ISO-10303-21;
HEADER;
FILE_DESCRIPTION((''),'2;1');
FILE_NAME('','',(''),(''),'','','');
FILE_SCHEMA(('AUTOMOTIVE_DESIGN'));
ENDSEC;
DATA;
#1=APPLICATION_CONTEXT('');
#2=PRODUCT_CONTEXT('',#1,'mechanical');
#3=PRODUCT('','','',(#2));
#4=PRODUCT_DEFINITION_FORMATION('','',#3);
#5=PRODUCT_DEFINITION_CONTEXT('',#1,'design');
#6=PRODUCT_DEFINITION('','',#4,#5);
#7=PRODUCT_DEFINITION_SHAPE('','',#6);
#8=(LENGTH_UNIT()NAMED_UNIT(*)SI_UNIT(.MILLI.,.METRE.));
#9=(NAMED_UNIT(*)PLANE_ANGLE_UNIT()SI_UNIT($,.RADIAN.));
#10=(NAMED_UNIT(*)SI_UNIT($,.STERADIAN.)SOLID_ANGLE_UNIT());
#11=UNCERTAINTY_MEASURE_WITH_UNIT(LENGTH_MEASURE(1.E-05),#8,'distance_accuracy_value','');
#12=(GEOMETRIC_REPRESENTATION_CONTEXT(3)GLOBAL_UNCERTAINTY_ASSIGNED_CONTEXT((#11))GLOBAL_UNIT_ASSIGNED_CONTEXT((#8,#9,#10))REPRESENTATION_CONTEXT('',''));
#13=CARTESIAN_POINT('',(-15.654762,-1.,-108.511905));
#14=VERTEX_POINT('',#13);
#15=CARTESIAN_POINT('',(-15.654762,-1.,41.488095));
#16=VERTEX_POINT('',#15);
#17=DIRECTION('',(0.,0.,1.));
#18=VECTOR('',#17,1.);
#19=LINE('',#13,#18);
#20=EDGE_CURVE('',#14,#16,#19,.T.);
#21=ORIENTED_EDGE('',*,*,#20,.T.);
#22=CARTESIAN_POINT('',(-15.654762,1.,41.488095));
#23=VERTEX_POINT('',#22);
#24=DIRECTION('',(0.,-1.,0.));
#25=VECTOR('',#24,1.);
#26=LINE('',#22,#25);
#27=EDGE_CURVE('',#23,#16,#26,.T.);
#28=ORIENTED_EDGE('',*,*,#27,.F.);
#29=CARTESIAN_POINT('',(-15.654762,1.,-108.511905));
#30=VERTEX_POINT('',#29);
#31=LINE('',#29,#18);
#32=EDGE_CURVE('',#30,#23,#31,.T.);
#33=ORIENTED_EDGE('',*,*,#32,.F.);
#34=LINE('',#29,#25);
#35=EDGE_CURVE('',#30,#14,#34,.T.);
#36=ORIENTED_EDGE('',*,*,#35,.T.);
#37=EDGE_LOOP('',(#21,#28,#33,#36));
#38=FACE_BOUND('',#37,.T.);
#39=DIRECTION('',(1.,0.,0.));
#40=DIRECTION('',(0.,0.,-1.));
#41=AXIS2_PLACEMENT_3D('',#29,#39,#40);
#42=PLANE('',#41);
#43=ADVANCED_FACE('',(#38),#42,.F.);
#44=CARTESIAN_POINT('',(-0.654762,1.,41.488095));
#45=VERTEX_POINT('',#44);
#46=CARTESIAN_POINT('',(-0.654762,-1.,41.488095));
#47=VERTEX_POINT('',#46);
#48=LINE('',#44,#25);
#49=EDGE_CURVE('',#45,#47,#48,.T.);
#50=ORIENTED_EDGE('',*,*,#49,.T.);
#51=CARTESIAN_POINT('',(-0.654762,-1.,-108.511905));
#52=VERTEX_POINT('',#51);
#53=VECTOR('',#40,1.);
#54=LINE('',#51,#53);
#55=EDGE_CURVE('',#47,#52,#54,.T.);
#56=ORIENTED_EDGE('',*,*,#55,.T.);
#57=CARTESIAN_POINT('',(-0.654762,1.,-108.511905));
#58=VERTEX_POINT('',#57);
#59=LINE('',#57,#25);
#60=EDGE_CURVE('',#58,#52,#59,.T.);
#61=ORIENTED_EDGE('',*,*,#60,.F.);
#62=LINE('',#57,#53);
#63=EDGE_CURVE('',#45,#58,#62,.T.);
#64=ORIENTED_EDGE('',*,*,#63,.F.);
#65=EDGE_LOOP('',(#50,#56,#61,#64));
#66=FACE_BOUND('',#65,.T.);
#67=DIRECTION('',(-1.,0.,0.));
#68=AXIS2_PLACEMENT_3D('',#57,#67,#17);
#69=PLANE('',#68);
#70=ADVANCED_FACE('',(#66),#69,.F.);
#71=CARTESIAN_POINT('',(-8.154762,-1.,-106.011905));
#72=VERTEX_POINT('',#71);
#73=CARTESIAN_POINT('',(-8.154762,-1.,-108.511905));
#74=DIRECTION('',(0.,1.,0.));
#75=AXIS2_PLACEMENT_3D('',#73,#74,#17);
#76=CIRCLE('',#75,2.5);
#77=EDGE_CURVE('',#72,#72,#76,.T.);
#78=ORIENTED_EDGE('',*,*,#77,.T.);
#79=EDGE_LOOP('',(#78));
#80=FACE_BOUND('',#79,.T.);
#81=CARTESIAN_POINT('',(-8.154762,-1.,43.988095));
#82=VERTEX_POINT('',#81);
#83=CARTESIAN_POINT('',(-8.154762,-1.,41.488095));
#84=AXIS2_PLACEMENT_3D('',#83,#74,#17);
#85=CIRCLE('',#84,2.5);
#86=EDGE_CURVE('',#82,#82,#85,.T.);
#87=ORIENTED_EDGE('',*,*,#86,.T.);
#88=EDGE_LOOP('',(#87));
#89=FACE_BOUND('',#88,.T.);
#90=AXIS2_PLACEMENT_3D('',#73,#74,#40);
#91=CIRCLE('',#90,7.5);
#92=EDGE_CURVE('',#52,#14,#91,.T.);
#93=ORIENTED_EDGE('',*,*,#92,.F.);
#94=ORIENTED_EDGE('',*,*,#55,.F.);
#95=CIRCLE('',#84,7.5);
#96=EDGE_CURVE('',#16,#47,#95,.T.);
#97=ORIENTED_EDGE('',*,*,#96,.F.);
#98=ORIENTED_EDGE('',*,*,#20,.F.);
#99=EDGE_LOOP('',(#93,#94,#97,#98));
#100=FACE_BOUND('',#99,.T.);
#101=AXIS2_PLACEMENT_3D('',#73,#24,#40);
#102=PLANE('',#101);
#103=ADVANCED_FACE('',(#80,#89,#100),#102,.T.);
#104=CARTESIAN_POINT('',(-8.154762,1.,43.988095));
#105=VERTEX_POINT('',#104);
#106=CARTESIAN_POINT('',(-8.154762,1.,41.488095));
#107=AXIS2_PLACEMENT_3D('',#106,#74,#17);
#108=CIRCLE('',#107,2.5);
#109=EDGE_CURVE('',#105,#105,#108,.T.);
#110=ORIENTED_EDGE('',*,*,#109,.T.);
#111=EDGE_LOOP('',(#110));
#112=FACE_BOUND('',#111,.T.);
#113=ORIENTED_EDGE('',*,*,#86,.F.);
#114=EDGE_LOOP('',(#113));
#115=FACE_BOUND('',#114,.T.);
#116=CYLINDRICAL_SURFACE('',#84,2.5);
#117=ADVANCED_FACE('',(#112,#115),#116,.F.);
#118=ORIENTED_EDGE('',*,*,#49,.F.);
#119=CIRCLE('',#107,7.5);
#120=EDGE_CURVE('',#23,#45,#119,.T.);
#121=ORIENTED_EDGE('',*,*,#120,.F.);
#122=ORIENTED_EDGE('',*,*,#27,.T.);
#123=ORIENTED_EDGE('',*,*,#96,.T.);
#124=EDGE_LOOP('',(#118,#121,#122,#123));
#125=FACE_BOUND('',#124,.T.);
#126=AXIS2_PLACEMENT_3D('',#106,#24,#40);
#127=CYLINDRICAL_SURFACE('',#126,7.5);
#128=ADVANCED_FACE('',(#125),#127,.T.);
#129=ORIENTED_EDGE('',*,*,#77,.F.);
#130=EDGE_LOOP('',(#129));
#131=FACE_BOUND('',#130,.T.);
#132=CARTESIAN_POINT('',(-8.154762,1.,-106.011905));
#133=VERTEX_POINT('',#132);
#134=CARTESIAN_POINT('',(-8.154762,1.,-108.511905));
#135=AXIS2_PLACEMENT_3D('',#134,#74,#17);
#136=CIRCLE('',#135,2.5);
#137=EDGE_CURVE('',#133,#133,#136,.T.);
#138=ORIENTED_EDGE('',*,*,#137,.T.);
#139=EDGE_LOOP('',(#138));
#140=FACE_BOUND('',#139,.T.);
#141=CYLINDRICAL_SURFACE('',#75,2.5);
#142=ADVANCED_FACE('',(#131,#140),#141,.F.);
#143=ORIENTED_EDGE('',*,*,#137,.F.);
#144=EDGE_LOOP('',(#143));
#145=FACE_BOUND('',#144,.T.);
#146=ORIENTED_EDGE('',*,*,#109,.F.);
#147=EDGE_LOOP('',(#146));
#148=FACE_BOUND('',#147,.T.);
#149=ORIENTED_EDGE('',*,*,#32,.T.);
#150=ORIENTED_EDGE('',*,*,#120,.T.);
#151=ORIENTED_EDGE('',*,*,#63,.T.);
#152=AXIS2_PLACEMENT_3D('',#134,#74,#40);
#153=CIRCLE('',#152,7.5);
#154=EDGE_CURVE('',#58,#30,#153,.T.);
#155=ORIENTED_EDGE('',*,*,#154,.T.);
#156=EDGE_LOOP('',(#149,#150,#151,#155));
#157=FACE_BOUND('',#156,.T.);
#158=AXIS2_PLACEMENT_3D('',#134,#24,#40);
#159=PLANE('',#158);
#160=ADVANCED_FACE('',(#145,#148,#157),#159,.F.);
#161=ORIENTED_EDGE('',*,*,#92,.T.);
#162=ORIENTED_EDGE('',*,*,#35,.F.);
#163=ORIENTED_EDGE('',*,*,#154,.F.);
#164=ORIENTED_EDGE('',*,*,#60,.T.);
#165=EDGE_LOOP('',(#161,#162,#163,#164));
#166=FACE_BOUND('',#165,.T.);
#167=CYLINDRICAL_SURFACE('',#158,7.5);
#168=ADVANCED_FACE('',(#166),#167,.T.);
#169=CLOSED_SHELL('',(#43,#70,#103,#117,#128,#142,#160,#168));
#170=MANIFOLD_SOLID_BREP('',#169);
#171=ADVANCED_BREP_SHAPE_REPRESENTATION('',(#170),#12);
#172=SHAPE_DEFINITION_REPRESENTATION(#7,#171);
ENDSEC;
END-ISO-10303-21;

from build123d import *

# Parameters (mm, degrees)
BOSS_EXTRUDE1_DEPTH = 1
SKETCH3_R           = 2.5
CUT_EXTRUDE2_DEPTH  = 2


with BuildPart() as part:
    # Sketch1 → Boss-Extrude1 (new, symmetric)
    with BuildSketch(Plane(origin=(0, 0, 0), x_dir=(1, 0, 0), z_dir=(0, 1, 0))):
        with BuildLine():
            Line((-15.654761905, 108.511904762), (-15.654761905, -41.488095238))
            ThreePointArc((-15.654761905, -41.488095238), (-8.154761905, -48.988095238), (-0.654761905, -41.488095238))
            Line((-0.654761905, -41.488095238), (-0.654761905, 108.511904762))
            ThreePointArc((-0.654761905, 108.511904762), (-8.154761905, 116.011904762), (-15.654761905, 108.511904762))
        make_face()
    extrude(amount=BOSS_EXTRUDE1_DEPTH, both=True)

    # Sketch3 → Cut-Extrude2 (cut)
    with BuildSketch(Plane(origin=(0, 1, 0), x_dir=(1, 0, 0), z_dir=(0, 1, 0))):
        with Locations(Location((-8.154761905, 108.511904762, 0), (0, 0, 270))):
            Circle(SKETCH3_R)
        with Locations(Location((-8.154761905, -41.488095238, 0), (0, 0, 270))):
            Circle(SKETCH3_R)
    extrude(amount=-CUT_EXTRUDE2_DEPTH, mode=Mode.SUBTRACT)


solid = part.part
